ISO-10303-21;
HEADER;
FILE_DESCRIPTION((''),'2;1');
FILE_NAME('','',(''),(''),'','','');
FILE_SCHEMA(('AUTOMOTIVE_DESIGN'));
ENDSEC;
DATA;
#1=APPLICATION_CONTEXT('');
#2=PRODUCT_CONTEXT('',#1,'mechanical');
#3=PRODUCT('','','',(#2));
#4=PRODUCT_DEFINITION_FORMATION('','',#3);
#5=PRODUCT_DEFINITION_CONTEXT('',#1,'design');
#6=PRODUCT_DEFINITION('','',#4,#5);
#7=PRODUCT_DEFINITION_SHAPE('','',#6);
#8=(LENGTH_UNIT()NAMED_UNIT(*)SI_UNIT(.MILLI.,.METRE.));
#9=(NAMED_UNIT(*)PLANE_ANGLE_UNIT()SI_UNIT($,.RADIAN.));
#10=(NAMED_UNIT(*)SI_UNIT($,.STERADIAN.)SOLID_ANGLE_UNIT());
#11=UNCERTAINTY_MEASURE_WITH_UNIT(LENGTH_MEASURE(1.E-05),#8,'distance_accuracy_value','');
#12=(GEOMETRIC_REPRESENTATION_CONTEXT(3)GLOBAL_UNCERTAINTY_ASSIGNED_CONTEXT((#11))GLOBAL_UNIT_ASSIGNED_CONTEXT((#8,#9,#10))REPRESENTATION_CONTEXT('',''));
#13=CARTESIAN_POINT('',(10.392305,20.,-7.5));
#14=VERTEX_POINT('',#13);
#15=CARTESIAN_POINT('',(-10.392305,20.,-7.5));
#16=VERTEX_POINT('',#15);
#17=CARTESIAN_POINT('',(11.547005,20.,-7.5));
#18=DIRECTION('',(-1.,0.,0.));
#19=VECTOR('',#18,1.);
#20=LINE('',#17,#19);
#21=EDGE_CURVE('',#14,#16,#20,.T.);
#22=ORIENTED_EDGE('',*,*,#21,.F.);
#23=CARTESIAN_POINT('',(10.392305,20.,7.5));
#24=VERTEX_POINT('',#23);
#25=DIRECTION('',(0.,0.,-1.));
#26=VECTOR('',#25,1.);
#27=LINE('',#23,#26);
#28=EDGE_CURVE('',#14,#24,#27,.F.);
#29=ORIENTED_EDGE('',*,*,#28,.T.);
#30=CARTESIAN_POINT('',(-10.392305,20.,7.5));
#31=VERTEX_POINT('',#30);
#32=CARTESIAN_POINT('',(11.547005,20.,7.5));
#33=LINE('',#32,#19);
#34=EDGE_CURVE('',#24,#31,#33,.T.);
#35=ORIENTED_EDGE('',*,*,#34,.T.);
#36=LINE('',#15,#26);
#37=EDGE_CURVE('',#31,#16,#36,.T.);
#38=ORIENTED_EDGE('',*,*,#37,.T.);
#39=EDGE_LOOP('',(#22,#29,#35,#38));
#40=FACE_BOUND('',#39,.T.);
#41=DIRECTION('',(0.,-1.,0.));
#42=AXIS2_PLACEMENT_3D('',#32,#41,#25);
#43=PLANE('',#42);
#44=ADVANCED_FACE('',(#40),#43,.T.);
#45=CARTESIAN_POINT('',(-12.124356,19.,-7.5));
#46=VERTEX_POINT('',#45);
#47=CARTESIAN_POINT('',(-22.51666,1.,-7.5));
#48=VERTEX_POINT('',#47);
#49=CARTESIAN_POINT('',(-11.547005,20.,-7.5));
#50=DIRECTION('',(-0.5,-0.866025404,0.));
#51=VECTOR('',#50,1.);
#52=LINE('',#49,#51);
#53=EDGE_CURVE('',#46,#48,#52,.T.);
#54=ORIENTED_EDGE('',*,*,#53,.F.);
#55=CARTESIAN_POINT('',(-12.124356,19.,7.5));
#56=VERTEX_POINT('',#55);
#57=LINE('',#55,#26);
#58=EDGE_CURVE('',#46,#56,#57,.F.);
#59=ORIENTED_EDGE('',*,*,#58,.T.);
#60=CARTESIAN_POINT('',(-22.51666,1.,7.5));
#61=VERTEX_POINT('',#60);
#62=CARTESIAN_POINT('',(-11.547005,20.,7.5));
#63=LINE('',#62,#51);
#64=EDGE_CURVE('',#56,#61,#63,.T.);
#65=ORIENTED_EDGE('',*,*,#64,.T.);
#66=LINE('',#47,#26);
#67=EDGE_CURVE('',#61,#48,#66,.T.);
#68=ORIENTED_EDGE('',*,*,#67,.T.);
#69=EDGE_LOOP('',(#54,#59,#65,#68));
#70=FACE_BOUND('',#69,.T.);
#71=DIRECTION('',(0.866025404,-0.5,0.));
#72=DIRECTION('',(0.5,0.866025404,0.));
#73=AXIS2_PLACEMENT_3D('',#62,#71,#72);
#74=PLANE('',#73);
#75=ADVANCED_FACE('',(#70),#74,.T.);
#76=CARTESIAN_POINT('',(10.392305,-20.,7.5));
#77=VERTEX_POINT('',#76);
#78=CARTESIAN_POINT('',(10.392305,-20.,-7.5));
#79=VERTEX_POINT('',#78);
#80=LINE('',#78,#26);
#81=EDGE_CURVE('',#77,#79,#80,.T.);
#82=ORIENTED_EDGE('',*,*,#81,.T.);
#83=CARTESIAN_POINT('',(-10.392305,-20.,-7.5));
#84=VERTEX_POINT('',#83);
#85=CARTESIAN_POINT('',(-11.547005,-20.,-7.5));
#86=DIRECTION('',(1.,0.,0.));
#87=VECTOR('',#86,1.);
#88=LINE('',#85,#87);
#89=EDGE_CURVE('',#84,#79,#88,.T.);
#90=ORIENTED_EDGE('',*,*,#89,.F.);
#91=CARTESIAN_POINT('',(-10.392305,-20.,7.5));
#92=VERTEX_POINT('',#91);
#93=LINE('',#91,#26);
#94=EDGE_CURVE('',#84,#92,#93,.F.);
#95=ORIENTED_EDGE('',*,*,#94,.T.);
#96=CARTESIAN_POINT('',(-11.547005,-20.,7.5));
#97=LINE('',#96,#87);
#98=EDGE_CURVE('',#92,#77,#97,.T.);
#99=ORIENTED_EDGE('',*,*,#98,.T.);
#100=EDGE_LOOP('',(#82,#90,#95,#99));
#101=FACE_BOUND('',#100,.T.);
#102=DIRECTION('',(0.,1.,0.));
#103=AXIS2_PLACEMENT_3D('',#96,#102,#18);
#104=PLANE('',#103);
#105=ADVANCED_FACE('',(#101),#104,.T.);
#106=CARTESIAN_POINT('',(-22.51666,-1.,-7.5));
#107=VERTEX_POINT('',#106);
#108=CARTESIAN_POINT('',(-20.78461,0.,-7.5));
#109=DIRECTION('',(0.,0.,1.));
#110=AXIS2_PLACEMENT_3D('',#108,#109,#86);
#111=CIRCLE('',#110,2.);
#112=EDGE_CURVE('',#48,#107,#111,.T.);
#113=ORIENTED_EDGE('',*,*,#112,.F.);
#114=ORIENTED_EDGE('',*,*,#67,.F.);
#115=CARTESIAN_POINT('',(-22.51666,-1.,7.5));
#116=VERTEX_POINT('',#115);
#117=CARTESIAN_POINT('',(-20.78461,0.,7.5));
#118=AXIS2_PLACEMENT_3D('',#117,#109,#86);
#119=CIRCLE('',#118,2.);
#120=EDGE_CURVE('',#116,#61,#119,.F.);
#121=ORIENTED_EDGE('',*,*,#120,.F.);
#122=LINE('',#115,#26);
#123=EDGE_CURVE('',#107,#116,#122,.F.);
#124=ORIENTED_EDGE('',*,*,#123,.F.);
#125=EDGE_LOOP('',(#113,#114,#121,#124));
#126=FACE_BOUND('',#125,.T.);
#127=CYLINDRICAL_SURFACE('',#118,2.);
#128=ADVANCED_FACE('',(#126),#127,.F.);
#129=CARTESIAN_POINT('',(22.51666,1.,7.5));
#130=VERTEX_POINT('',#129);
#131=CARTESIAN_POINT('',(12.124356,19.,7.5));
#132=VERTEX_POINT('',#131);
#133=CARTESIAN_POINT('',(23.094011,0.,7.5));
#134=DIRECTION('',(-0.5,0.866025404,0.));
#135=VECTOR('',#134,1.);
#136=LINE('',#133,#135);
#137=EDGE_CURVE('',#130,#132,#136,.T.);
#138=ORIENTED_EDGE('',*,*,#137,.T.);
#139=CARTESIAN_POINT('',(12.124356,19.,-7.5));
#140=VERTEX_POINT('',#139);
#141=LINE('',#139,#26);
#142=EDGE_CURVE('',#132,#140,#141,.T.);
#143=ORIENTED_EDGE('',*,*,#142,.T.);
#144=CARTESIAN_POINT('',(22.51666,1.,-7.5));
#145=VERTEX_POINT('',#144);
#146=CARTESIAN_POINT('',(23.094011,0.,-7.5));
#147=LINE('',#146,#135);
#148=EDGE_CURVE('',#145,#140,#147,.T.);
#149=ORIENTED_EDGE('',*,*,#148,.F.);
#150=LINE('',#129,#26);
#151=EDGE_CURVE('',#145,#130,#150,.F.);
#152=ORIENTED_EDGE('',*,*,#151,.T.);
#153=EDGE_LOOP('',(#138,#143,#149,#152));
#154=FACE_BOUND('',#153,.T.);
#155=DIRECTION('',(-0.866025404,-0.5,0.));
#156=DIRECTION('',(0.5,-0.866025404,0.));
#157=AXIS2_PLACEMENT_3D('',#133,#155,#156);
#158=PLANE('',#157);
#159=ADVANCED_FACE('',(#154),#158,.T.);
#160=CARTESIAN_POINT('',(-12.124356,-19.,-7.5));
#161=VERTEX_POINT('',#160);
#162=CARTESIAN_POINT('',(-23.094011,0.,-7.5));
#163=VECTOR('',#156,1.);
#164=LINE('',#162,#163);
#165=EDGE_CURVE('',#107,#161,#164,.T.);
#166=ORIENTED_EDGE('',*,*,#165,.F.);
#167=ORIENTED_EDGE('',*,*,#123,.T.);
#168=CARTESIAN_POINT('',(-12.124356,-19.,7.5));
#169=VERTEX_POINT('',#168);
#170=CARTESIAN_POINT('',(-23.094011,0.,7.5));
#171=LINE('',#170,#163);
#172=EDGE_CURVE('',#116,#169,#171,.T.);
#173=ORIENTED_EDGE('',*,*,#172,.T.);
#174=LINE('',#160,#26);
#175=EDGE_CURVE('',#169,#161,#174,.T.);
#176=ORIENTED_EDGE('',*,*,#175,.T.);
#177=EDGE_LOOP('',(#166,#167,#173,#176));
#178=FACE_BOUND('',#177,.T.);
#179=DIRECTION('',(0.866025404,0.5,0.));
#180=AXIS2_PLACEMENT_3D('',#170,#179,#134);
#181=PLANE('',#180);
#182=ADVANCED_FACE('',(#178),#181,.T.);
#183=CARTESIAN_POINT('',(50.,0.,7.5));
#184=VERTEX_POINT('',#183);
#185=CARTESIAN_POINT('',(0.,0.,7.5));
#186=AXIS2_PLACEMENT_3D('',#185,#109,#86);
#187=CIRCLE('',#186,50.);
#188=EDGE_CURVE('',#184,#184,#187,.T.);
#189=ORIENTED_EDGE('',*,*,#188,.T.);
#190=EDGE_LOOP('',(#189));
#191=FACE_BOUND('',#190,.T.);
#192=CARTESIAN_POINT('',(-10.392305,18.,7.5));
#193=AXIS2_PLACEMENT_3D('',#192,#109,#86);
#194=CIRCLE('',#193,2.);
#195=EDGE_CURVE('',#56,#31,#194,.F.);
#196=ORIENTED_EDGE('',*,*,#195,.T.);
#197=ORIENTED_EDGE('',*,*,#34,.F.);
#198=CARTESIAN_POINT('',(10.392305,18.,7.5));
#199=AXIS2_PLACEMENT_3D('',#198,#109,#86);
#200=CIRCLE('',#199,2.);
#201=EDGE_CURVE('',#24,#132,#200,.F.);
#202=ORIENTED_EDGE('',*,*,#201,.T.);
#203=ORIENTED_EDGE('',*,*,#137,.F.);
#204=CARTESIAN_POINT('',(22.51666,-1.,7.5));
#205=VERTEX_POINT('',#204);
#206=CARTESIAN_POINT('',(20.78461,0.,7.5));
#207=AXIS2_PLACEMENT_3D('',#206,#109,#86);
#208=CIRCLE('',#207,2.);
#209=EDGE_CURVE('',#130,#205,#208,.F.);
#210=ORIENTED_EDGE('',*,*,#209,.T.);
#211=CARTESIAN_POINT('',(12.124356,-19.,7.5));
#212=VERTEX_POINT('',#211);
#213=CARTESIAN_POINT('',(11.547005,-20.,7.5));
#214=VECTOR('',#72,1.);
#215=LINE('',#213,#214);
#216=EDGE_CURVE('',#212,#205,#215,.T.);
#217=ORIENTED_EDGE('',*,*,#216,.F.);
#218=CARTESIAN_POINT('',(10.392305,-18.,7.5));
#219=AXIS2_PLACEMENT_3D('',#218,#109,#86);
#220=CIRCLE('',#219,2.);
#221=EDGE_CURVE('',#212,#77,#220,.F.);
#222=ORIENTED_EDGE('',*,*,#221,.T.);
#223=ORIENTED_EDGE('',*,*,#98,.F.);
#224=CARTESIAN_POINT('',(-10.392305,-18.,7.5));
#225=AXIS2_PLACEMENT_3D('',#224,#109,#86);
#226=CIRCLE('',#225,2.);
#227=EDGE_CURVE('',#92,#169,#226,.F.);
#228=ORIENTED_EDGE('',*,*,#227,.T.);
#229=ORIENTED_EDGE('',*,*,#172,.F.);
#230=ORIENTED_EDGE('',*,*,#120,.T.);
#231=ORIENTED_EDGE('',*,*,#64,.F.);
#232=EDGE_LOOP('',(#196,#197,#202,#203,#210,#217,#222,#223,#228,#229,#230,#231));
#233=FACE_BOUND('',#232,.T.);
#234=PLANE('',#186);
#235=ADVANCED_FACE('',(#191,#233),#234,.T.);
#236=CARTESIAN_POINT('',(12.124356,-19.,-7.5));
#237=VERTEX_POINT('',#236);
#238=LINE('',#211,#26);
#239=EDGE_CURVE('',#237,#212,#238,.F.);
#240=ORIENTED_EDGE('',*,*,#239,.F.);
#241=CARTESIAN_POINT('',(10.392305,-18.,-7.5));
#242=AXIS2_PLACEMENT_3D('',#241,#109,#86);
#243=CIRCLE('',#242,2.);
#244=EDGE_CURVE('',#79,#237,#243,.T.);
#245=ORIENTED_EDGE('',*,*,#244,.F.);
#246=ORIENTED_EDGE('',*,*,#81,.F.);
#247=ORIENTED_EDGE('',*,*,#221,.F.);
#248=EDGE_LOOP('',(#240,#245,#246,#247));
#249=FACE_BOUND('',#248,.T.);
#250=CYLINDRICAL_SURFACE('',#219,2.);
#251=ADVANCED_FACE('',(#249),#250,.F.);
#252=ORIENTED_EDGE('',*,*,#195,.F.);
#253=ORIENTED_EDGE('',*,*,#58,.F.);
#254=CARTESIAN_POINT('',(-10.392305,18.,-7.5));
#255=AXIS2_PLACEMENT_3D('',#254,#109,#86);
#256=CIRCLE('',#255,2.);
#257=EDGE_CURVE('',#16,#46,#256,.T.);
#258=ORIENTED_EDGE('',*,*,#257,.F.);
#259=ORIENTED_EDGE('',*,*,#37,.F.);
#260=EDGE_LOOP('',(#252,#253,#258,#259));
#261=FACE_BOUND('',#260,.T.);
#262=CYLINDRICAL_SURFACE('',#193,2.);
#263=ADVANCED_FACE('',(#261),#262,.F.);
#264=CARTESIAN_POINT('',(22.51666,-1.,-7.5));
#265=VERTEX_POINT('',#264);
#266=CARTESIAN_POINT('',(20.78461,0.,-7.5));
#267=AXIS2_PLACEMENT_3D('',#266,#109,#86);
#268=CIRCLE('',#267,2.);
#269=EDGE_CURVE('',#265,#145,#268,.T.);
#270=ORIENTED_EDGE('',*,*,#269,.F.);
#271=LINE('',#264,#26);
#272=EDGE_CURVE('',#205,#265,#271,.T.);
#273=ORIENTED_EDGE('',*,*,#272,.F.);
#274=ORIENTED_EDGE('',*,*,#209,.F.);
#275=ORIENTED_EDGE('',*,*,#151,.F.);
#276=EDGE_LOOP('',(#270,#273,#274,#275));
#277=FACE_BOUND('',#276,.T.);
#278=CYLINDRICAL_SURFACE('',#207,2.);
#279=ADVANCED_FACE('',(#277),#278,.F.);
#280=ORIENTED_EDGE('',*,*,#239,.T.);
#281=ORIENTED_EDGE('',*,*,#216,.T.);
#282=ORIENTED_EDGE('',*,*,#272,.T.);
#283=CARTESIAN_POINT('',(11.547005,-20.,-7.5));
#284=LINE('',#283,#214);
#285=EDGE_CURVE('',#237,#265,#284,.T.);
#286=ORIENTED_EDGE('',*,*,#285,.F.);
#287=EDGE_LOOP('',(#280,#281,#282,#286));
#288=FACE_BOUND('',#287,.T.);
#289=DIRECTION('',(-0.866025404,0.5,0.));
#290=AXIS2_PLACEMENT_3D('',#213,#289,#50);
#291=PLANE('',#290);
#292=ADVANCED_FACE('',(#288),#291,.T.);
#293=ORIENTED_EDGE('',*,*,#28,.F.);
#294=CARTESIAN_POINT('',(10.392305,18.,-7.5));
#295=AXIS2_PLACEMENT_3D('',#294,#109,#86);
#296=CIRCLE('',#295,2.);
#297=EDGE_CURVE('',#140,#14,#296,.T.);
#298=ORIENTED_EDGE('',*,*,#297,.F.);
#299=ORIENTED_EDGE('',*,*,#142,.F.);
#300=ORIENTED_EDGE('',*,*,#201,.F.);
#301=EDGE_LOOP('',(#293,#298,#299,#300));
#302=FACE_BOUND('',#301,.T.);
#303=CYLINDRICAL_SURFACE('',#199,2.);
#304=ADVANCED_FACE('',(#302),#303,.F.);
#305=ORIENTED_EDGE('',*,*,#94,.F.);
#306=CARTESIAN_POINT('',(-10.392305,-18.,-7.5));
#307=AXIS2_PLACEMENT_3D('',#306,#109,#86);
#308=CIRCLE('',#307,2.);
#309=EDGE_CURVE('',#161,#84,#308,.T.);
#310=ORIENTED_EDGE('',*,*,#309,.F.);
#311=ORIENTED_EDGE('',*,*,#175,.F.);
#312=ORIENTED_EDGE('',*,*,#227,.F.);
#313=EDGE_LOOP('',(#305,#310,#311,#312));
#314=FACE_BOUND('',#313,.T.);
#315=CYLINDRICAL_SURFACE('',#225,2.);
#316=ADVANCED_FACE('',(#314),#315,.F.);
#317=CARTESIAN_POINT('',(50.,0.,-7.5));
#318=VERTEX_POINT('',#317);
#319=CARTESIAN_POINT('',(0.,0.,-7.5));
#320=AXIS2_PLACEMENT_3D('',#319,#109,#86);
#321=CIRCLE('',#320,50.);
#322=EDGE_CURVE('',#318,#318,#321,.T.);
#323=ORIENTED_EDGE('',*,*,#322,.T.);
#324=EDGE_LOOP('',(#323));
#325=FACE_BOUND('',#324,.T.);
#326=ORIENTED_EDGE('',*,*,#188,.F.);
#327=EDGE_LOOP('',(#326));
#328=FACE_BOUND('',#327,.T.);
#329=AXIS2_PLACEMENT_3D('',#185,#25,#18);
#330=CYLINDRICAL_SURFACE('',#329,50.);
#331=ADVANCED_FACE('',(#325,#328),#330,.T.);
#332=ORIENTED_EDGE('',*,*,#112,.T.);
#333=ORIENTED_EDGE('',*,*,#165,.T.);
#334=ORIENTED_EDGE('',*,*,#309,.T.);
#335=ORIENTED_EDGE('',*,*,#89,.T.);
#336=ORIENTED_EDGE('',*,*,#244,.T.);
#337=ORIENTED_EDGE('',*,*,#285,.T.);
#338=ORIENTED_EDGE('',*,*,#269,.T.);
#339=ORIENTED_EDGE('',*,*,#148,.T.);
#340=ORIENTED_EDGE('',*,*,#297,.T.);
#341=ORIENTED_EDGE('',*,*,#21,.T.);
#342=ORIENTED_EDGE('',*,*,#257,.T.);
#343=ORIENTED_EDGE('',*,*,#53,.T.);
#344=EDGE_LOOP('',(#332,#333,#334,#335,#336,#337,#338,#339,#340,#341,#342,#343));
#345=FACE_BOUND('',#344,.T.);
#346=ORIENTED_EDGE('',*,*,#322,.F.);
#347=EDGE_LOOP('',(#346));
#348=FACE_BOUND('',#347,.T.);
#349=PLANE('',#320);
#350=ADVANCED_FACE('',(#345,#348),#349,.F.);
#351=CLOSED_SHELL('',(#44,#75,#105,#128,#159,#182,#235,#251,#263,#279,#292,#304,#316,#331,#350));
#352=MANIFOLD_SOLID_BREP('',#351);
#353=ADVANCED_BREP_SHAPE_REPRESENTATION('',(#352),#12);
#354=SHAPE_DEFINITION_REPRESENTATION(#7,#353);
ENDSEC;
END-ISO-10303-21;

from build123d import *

# Parameters (mm, degrees)
SKETCH1_R           = 50
BOSS_EXTRUDE1_DEPTH = 7.5
FILLET1_R           = 2


with BuildPart() as part:
    # Sketch1 → Boss-Extrude1 (new body, symmetric)
    with BuildSketch(Plane.XY):
        Circle(SKETCH1_R)
        Polygon((23.094010768, 0), (11.547005384, 20), (-11.547005384, 20), (-23.094010768, 0), (-11.547005384, -20), (11.547005384, -20), align=None, mode=Mode.SUBTRACT)
    extrude(amount=BOSS_EXTRUDE1_DEPTH, both=True)

    # Fillet1
    fillet1_edges = [part.edges().sort_by_distance(p)[0] for p in [
        (23.094010768, 0, 0),
        (11.547005384, 20, 0),
        (-11.547005384, 20, 0),
        (-23.094010768, 0, 0),
        (-11.547005384, -20, 0),
        (11.547005384, -20, 0),
    ]]
    fillet(fillet1_edges, radius=FILLET1_R)


solid = part.part
